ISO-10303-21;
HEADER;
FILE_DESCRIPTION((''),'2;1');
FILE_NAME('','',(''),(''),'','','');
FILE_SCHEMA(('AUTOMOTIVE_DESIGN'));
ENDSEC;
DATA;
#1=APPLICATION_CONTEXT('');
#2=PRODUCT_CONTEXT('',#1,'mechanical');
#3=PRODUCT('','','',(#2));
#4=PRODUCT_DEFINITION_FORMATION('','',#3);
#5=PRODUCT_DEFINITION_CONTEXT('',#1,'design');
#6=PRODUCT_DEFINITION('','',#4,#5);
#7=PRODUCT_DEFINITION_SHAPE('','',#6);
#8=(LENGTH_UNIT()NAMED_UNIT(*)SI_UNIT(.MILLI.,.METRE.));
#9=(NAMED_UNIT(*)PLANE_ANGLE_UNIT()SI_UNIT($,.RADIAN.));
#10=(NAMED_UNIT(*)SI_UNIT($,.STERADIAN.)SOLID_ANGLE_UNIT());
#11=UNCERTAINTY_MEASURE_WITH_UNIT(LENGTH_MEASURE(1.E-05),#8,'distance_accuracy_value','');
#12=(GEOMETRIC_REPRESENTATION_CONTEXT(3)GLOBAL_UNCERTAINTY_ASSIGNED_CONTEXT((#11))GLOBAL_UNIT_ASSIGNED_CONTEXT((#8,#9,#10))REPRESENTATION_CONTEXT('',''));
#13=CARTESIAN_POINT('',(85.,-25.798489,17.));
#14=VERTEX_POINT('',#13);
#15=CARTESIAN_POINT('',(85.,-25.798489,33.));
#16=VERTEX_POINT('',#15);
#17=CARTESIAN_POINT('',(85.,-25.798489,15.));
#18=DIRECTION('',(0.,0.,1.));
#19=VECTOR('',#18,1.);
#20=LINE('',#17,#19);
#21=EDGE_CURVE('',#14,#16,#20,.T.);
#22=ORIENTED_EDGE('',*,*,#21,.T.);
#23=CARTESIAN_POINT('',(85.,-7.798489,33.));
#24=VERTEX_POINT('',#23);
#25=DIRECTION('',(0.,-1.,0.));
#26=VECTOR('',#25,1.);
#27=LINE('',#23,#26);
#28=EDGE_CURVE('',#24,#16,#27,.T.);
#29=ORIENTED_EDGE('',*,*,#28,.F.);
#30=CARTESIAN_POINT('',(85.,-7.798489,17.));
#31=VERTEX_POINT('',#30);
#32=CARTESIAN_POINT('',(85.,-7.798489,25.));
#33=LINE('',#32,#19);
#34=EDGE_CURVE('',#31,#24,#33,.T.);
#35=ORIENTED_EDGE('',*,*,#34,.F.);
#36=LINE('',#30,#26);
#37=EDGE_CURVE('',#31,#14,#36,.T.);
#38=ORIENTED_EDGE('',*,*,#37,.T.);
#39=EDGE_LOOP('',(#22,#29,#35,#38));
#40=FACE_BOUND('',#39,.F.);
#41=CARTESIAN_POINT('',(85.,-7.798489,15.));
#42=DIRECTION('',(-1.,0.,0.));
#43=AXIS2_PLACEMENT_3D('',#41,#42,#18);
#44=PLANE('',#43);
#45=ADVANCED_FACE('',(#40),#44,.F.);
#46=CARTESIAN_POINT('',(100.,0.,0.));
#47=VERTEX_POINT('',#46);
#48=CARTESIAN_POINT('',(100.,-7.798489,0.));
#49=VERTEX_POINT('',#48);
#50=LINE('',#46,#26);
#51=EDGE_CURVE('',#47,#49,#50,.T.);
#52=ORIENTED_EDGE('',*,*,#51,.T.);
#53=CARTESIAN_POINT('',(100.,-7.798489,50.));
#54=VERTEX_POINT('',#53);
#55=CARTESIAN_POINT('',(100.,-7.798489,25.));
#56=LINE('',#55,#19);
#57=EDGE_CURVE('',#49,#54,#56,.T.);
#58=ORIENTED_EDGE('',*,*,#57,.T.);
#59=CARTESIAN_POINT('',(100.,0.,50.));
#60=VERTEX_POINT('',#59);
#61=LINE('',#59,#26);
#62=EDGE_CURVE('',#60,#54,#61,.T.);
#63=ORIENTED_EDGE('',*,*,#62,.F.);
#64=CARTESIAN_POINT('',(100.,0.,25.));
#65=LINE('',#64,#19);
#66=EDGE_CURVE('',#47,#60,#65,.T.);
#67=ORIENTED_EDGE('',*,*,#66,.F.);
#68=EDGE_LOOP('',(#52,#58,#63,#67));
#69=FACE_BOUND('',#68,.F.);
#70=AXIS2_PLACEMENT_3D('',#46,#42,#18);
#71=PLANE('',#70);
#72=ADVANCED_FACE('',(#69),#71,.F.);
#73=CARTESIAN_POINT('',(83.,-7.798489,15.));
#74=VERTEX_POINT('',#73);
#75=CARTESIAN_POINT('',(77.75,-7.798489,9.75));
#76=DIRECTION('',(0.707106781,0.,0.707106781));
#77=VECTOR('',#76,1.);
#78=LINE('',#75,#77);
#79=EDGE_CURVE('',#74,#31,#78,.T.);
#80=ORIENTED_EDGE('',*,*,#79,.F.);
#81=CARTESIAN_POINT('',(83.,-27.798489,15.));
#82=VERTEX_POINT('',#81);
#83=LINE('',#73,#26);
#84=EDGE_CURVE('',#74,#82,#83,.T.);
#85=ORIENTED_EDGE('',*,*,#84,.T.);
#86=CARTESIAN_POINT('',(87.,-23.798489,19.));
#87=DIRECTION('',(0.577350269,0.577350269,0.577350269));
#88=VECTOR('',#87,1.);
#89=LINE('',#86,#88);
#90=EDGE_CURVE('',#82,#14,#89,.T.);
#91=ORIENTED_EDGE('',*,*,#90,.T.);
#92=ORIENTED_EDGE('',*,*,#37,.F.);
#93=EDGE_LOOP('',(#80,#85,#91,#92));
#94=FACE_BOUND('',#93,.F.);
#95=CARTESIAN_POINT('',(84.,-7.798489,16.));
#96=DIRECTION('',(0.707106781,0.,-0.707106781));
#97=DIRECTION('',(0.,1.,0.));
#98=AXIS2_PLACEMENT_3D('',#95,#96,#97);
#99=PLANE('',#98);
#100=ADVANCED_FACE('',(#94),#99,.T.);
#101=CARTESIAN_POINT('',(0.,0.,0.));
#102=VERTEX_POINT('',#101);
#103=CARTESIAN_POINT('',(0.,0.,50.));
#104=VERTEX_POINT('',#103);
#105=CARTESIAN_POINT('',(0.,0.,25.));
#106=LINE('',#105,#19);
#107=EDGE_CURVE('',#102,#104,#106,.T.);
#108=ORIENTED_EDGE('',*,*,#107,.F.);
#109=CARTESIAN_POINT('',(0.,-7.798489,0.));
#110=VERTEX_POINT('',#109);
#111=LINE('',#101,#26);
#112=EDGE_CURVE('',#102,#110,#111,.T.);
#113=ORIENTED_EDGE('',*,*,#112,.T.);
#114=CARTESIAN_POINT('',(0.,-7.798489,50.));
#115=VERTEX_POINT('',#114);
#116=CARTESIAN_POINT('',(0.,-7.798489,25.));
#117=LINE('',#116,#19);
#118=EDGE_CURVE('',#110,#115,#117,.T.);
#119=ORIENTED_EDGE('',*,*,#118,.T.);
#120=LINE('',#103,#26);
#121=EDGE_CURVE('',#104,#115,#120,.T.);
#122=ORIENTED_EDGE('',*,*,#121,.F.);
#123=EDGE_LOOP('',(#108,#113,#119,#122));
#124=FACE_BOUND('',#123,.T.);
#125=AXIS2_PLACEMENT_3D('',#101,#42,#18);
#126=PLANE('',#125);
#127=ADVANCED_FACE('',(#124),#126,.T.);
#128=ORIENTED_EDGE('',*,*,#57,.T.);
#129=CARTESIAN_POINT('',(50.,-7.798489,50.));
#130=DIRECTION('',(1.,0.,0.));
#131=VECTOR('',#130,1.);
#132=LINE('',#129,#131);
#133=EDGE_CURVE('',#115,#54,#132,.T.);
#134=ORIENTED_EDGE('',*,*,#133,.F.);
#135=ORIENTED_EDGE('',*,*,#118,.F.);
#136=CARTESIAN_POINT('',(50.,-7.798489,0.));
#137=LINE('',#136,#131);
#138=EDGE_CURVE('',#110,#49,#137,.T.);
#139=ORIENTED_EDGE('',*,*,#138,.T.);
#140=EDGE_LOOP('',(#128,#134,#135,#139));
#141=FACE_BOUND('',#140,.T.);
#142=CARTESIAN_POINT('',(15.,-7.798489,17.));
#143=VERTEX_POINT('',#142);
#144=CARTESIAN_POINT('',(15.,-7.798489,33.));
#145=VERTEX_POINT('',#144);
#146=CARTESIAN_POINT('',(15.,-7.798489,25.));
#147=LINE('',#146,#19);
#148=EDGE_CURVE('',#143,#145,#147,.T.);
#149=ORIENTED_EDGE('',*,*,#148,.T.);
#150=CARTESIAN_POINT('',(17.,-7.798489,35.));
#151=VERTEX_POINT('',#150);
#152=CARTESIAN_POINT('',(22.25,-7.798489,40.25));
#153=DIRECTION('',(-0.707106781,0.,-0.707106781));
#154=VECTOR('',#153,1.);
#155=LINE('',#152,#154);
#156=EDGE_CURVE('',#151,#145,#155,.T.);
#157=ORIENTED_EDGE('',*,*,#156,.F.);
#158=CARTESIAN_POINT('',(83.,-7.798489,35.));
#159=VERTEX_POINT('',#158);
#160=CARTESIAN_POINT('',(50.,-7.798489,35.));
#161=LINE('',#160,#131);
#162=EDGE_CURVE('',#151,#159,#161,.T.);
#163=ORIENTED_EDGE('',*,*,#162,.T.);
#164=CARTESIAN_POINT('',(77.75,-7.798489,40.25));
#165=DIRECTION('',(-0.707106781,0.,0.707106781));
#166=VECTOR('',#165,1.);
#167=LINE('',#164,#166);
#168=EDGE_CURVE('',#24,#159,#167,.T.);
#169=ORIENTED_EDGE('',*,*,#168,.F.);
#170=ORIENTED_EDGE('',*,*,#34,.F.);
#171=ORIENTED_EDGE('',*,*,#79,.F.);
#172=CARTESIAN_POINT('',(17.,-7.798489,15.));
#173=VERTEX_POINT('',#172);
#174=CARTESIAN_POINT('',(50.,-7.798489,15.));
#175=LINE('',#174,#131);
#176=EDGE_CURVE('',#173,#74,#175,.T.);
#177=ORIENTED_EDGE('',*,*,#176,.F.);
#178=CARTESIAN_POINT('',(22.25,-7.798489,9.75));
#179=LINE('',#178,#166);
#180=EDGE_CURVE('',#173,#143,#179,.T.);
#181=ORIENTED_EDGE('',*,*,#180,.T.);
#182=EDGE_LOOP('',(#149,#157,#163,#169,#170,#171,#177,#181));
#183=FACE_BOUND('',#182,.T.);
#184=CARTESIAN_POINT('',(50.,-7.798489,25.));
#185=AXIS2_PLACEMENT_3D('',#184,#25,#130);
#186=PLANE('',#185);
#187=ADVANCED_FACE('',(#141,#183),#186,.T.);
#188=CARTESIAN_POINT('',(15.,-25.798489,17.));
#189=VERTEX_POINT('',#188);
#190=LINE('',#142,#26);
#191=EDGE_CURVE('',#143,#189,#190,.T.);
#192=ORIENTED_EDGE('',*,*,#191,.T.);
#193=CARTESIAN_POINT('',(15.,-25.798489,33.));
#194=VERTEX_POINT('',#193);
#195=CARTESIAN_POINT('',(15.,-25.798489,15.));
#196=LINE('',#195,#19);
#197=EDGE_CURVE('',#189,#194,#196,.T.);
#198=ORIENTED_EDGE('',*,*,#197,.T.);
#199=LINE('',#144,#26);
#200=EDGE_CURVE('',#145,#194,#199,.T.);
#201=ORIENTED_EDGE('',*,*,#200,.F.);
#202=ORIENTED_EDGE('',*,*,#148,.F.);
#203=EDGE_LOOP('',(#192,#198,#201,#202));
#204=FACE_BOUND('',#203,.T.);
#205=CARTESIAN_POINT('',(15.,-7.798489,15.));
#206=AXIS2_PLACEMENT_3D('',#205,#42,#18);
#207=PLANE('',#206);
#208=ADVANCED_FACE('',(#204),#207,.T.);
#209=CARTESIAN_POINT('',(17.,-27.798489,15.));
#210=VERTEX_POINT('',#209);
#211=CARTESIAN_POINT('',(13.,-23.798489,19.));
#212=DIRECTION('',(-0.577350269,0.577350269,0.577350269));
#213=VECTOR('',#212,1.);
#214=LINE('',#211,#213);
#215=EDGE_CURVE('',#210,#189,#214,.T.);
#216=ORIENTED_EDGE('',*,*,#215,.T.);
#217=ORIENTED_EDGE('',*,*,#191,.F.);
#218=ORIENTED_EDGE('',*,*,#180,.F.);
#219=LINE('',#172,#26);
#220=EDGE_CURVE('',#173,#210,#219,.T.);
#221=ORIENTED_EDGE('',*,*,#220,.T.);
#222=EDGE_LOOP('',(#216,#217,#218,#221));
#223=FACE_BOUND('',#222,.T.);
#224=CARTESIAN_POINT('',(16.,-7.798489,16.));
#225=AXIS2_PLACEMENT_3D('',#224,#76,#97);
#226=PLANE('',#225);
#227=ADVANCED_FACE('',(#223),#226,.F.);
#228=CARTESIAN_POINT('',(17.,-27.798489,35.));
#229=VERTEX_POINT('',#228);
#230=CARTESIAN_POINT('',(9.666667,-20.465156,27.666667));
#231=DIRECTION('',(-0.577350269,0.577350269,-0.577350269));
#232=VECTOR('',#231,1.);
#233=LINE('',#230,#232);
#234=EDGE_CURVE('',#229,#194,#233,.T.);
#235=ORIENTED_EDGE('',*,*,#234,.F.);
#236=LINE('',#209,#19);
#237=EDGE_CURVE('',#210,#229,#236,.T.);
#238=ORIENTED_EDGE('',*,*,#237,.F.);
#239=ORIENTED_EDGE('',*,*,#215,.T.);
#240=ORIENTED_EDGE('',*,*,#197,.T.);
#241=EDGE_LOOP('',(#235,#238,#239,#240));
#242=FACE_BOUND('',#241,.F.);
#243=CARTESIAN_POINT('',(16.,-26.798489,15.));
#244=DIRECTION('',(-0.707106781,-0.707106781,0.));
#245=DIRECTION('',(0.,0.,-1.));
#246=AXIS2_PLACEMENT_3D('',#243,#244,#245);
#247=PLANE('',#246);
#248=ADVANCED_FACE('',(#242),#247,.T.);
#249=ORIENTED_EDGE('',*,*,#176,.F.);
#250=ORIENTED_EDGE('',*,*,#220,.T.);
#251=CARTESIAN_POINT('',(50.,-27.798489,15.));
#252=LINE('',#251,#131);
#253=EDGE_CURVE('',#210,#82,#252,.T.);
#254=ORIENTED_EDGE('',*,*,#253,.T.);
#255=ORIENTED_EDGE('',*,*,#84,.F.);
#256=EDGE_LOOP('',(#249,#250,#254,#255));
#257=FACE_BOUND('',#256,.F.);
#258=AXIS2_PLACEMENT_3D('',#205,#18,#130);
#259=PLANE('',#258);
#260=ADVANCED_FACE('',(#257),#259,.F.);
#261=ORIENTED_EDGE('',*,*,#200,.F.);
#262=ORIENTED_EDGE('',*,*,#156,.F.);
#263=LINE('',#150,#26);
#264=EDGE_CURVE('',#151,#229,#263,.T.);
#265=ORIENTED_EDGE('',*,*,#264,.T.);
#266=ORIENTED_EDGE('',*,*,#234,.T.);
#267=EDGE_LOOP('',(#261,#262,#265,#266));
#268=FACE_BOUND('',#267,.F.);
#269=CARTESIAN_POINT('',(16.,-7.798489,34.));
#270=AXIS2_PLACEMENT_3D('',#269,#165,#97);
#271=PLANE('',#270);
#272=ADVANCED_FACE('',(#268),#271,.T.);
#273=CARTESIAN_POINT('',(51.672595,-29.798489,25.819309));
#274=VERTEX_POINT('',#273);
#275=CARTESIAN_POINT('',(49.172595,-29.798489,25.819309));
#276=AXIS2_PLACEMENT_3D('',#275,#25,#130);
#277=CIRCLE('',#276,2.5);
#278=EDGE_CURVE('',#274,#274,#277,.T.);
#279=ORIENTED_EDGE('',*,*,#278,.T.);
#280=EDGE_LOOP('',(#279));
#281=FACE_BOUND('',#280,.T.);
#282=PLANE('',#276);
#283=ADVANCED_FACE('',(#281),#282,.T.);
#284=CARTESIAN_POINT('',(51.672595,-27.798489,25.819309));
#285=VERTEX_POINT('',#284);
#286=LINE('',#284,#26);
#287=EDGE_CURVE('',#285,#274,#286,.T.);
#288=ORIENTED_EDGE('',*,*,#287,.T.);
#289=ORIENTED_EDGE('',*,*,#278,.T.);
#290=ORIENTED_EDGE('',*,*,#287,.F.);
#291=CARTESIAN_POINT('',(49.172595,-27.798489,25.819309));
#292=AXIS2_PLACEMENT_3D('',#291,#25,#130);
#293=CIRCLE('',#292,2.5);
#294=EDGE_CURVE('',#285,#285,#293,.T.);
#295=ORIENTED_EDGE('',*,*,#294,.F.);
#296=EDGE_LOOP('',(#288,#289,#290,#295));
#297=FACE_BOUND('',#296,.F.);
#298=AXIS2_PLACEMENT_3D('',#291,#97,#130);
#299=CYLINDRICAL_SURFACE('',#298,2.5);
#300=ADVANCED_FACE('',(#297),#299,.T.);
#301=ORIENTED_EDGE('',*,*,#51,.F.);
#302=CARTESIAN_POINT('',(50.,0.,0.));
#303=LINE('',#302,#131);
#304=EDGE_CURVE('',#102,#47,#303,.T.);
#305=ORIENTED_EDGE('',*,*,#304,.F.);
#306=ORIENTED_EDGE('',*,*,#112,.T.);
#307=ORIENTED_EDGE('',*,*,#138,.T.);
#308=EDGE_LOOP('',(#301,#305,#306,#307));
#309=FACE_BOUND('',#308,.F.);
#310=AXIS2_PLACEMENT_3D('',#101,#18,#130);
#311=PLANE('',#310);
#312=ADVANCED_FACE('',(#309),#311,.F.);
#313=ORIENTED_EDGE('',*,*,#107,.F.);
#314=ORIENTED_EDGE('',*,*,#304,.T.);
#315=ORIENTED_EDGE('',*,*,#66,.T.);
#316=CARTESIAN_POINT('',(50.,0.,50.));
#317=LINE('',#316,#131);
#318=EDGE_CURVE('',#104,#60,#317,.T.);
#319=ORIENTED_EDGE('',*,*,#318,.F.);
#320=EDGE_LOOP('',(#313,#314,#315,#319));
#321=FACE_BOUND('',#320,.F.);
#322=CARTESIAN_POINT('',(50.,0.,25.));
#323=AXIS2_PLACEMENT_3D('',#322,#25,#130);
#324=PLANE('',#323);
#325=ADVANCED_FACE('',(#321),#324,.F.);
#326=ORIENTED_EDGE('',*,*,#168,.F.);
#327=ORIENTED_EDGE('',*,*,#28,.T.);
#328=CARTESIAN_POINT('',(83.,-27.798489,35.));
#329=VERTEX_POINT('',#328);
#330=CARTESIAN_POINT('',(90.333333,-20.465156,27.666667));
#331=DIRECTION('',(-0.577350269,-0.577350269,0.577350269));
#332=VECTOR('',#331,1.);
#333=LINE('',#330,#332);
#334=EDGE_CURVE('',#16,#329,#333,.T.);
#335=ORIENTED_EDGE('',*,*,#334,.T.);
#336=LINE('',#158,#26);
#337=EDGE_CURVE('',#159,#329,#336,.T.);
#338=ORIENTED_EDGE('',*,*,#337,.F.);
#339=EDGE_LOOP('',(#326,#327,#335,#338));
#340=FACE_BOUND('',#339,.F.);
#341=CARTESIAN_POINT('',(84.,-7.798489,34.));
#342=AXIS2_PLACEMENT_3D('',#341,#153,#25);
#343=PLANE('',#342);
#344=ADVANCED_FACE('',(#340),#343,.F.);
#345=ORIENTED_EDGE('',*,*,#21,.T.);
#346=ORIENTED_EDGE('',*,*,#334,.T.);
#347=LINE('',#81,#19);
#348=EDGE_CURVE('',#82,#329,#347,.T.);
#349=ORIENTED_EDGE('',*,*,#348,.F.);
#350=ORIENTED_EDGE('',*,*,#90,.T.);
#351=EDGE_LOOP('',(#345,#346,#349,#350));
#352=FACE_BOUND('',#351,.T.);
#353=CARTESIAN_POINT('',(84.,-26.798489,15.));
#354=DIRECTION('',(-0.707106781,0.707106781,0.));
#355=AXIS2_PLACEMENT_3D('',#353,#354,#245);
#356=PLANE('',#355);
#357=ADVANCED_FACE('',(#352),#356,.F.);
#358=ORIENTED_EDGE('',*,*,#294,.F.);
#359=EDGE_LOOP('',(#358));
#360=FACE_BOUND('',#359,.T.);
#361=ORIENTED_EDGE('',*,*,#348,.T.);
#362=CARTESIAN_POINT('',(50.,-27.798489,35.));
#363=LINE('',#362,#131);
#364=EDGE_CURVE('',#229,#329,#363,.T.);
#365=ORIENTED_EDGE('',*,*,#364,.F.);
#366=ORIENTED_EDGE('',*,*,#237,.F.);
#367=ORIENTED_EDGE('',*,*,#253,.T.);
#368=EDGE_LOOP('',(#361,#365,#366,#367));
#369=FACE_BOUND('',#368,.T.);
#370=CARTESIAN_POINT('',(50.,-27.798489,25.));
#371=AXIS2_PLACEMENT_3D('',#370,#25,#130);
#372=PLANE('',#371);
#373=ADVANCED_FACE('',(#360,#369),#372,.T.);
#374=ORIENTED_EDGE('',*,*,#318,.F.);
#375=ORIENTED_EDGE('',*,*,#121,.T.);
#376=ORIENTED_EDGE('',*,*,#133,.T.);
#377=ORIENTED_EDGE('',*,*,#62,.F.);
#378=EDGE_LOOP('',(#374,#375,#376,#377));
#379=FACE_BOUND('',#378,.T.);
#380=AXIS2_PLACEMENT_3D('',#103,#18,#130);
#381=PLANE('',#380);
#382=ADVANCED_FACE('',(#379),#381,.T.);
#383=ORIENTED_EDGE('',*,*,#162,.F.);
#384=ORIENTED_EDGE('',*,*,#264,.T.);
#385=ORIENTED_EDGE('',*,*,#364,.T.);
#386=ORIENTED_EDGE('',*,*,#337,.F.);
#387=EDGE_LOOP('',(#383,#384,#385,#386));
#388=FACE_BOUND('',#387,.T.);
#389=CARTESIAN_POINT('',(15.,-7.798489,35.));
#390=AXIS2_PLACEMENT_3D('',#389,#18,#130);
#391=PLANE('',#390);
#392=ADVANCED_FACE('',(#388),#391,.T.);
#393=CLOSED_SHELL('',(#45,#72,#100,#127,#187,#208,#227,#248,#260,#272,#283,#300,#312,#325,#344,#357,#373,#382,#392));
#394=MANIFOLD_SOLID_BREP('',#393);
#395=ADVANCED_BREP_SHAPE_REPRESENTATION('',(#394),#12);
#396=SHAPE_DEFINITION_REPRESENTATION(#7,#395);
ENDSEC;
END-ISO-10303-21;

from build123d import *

# Parameters (mm, degrees)
F0_W     = 100
F0_H     = 50
F1_DEPTH = 7.798489
F2_W     = 70
F2_H     = 20
F3_DEPTH = 20
F5_SIZE  = 2
F6_R     = 2.5
F7_DEPTH = 2


with BuildPart() as f1:
    # F0 (on Front) → F1 (new body)
    with BuildSketch(Plane.XZ):
        with Locations((50, 25)):
            Rectangle(F0_W, F0_H)
    extrude(amount=F1_DEPTH)

    # F2 (on face) → F3 (join)
    with BuildSketch(Plane.XZ.offset(7.798489)):
        with Locations((50, 25)):
            Rectangle(F2_W, F2_H)
    extrude(amount=F3_DEPTH)

    # F5
    f5_edges = [f1.edges().sort_by_distance(p)[0] for p in [
        (85, -17.798489, 15),
        (85, -17.798489, 35),
        (15, -17.798489, 15),
        (15, -17.798489, 35),
        (15, -27.798489, 25),
        (85, -27.798489, 25),
    ]]
    chamfer(f5_edges, length=F5_SIZE)

    # F6 (on face) → F7 (join)
    with BuildSketch(Plane.XZ.offset(27.798489)):
        with Locations((49.172595, 25.819309)):
            Circle(F6_R)
    extrude(amount=F7_DEPTH)


solid = f1.part
